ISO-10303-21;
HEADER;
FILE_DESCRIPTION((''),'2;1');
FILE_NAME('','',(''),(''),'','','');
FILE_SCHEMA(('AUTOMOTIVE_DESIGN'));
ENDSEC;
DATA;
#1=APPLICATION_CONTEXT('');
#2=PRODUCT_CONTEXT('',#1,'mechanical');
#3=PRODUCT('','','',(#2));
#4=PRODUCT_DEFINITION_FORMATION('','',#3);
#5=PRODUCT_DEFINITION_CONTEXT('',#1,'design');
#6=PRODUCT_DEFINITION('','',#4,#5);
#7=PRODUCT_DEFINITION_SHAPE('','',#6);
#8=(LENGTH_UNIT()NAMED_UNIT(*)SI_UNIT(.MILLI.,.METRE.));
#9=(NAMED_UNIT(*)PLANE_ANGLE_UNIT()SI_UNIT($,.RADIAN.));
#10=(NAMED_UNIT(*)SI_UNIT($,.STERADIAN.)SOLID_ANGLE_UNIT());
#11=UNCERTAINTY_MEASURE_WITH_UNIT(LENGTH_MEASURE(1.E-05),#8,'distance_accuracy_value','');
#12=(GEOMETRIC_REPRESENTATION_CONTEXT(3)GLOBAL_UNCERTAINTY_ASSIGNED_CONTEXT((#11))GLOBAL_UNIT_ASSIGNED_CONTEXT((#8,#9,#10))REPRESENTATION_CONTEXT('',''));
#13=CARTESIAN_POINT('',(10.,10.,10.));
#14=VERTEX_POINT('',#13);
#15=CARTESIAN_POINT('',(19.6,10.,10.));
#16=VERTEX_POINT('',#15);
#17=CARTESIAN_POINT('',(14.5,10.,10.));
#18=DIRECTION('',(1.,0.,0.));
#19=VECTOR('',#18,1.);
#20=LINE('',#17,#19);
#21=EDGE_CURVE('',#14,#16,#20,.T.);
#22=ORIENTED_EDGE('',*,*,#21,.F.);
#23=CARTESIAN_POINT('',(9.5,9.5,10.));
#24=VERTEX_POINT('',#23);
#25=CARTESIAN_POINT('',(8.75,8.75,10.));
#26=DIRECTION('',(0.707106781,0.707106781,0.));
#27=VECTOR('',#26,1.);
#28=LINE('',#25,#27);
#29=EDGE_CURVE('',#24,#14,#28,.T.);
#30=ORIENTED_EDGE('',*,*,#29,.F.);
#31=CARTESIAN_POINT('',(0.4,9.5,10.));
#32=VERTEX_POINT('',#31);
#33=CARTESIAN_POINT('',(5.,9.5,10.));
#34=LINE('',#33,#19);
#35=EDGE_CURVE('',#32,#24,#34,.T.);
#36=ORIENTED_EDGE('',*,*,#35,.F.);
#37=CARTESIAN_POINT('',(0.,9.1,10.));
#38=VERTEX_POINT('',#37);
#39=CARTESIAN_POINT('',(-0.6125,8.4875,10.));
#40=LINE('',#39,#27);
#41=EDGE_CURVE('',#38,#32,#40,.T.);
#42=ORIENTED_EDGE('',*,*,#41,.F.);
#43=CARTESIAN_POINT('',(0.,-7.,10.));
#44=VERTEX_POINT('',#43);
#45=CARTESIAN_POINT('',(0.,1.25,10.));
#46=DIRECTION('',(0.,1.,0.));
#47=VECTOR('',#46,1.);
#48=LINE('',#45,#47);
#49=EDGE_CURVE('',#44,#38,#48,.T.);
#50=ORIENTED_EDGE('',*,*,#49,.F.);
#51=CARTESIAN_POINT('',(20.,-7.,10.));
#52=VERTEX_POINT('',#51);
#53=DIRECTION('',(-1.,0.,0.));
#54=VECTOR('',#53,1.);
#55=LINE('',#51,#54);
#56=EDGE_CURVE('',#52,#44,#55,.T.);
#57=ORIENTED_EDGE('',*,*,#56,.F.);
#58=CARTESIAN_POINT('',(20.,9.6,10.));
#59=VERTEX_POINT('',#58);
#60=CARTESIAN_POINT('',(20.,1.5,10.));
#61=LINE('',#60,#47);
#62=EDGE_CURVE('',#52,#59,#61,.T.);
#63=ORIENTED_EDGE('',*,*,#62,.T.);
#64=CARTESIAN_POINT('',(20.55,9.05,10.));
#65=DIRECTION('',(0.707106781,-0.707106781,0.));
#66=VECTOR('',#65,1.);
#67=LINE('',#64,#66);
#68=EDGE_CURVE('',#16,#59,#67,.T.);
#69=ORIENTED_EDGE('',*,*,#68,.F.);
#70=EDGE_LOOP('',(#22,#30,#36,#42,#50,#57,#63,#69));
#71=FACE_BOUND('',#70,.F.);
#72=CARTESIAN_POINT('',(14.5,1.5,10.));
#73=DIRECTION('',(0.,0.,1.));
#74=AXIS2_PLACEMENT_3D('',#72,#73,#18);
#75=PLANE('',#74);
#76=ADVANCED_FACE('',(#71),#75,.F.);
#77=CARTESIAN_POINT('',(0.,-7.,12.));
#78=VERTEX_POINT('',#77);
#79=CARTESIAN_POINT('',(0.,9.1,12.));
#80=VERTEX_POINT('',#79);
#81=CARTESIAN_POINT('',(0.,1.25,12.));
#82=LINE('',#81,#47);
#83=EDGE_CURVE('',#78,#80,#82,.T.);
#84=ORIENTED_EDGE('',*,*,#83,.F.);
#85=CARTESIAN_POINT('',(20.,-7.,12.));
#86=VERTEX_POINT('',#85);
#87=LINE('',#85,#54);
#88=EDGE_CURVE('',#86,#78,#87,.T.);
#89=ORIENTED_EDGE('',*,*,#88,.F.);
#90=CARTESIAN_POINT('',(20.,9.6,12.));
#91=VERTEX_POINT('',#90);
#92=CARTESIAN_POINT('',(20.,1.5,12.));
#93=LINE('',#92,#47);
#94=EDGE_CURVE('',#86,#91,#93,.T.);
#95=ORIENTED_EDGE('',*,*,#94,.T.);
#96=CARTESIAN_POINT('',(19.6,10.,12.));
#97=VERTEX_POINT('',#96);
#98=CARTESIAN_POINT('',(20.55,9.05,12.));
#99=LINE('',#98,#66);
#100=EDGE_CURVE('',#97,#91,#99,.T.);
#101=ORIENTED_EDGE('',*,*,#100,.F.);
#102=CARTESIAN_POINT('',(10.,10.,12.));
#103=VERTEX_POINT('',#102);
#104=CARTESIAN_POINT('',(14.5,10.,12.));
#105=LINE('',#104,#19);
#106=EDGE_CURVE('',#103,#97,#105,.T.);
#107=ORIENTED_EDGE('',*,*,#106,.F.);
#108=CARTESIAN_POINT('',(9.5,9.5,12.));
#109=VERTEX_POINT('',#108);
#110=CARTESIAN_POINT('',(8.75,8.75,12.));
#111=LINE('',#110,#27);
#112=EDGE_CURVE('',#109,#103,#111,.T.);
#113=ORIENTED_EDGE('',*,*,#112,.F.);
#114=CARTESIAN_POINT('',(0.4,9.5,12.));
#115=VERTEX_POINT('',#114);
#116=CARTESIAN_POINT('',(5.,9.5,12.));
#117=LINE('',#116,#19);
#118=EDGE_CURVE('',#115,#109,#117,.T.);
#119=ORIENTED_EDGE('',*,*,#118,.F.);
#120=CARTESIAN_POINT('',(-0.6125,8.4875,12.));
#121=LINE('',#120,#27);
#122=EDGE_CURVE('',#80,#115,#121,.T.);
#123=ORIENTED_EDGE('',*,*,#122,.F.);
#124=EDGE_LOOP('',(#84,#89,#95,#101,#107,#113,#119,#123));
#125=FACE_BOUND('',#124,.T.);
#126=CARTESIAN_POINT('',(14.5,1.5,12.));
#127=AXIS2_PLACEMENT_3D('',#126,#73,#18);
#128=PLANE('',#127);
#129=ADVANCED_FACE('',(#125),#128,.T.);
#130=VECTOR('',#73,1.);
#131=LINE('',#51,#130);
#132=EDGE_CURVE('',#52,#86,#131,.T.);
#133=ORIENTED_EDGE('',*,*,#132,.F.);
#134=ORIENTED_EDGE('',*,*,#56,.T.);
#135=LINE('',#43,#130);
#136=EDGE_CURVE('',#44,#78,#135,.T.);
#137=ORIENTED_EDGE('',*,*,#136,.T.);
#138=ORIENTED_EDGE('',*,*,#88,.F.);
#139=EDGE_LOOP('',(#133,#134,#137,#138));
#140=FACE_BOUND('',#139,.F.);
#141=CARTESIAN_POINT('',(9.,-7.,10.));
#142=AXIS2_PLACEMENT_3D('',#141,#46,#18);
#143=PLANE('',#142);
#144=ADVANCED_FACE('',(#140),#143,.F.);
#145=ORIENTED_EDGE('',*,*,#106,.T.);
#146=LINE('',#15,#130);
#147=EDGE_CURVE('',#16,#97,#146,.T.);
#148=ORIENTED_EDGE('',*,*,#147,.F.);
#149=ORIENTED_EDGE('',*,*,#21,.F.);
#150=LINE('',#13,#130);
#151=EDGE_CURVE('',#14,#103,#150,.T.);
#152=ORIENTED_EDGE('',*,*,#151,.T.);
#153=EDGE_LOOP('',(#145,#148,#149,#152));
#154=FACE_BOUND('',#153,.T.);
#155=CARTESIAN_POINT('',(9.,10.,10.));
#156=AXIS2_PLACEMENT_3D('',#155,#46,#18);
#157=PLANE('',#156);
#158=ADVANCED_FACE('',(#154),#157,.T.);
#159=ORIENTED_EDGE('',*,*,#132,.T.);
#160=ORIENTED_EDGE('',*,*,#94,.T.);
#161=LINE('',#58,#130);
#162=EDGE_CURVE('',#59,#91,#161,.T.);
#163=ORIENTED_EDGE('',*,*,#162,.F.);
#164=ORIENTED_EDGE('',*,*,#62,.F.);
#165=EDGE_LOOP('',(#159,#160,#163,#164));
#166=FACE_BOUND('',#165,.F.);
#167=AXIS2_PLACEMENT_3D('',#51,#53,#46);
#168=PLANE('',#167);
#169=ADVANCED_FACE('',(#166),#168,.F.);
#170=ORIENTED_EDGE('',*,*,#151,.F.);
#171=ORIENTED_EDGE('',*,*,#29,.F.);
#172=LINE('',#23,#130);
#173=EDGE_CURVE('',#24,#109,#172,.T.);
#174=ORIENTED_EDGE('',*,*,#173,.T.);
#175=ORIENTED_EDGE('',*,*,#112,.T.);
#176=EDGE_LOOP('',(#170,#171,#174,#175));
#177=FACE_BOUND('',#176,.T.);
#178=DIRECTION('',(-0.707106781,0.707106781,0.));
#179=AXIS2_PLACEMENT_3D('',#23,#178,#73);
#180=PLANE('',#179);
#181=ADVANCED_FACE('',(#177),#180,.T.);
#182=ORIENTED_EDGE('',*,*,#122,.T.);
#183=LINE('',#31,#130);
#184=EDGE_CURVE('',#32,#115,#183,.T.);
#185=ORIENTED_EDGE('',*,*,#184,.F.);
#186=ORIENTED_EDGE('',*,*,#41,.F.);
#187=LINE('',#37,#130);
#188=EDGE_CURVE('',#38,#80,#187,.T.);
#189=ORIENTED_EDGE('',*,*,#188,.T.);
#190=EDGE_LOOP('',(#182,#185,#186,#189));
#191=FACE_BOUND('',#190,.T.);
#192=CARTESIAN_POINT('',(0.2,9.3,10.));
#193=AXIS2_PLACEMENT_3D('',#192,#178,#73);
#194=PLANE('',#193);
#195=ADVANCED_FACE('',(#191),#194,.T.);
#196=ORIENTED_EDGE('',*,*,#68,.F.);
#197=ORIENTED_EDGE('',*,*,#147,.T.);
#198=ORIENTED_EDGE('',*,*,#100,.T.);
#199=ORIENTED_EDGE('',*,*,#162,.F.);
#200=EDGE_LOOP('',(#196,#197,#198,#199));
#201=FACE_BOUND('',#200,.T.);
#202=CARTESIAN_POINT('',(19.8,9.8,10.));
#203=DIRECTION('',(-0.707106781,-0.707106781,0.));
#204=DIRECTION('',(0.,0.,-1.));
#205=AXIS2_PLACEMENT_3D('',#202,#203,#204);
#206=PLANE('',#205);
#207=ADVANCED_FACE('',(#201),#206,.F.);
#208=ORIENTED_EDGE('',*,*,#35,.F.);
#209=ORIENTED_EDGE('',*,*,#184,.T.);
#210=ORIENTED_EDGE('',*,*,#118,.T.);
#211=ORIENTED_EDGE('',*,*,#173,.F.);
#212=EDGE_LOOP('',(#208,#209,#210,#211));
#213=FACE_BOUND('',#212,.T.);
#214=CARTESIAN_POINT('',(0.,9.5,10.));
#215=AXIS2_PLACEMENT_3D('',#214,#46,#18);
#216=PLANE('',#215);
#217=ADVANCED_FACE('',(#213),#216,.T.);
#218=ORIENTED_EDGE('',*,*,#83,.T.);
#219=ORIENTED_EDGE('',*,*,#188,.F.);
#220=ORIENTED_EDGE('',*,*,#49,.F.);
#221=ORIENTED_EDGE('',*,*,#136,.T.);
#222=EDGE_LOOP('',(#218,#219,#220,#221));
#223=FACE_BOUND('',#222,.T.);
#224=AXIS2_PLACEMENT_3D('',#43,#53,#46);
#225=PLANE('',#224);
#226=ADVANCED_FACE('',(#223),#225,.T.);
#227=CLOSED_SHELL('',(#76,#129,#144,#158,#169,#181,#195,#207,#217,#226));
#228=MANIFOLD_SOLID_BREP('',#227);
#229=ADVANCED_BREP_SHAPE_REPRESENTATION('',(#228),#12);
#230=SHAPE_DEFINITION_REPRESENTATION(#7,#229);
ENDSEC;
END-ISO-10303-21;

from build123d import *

# Parameters (mm, degrees)
BOX015_W           = 11
BOX015_H           = 17
BOX015_DEPTH       = 2
CHAMFER006010_SIZE = 1
CHAMFER006011_SIZE = 0.4
BOX014_W           = 10
BOX014_H           = 16.5
BOX014_DEPTH       = 2
CHAMFER006009_SIZE = 0.4


with BuildPart() as chamfer006011:
    # Box015 → Box015 (new body)
    with BuildSketch(Plane(origin=(9, -7, 10), x_dir=(1, 0, 0), z_dir=(0, 0, 1))):
        with Locations((5.5, 8.5)):
            Rectangle(BOX015_W, BOX015_H)
    extrude(amount=BOX015_DEPTH)

    # Chamfer006010
    chamfer006010_edges = [chamfer006011.edges().sort_by_distance(p)[0] for p in [
        (9, 10, 11),
    ]]
    chamfer(chamfer006010_edges, length=CHAMFER006010_SIZE)

    # Chamfer006011
    chamfer006011_edges = [chamfer006011.edges().sort_by_distance(p)[0] for p in [
        (20, 10, 11),
    ]]
    chamfer(chamfer006011_edges, length=CHAMFER006011_SIZE)


with BuildPart() as fusion008018:
    # Box014 → Box014 (new body)
    with BuildSketch(Plane(origin=(0, -7, 10), x_dir=(1, 0, 0), z_dir=(0, 0, 1))):
        with Locations((5, 8.25)):
            Rectangle(BOX014_W, BOX014_H)
    extrude(amount=BOX014_DEPTH)

    # Chamfer006009
    chamfer006009_edges = [fusion008018.edges().sort_by_distance(p)[0] for p in [
        (0, 9.5, 11),
    ]]
    chamfer(chamfer006009_edges, length=CHAMFER006009_SIZE)

    # Fusion008018: union Chamfer006011
    add(chamfer006011.part)


solid = fusion008018.part
